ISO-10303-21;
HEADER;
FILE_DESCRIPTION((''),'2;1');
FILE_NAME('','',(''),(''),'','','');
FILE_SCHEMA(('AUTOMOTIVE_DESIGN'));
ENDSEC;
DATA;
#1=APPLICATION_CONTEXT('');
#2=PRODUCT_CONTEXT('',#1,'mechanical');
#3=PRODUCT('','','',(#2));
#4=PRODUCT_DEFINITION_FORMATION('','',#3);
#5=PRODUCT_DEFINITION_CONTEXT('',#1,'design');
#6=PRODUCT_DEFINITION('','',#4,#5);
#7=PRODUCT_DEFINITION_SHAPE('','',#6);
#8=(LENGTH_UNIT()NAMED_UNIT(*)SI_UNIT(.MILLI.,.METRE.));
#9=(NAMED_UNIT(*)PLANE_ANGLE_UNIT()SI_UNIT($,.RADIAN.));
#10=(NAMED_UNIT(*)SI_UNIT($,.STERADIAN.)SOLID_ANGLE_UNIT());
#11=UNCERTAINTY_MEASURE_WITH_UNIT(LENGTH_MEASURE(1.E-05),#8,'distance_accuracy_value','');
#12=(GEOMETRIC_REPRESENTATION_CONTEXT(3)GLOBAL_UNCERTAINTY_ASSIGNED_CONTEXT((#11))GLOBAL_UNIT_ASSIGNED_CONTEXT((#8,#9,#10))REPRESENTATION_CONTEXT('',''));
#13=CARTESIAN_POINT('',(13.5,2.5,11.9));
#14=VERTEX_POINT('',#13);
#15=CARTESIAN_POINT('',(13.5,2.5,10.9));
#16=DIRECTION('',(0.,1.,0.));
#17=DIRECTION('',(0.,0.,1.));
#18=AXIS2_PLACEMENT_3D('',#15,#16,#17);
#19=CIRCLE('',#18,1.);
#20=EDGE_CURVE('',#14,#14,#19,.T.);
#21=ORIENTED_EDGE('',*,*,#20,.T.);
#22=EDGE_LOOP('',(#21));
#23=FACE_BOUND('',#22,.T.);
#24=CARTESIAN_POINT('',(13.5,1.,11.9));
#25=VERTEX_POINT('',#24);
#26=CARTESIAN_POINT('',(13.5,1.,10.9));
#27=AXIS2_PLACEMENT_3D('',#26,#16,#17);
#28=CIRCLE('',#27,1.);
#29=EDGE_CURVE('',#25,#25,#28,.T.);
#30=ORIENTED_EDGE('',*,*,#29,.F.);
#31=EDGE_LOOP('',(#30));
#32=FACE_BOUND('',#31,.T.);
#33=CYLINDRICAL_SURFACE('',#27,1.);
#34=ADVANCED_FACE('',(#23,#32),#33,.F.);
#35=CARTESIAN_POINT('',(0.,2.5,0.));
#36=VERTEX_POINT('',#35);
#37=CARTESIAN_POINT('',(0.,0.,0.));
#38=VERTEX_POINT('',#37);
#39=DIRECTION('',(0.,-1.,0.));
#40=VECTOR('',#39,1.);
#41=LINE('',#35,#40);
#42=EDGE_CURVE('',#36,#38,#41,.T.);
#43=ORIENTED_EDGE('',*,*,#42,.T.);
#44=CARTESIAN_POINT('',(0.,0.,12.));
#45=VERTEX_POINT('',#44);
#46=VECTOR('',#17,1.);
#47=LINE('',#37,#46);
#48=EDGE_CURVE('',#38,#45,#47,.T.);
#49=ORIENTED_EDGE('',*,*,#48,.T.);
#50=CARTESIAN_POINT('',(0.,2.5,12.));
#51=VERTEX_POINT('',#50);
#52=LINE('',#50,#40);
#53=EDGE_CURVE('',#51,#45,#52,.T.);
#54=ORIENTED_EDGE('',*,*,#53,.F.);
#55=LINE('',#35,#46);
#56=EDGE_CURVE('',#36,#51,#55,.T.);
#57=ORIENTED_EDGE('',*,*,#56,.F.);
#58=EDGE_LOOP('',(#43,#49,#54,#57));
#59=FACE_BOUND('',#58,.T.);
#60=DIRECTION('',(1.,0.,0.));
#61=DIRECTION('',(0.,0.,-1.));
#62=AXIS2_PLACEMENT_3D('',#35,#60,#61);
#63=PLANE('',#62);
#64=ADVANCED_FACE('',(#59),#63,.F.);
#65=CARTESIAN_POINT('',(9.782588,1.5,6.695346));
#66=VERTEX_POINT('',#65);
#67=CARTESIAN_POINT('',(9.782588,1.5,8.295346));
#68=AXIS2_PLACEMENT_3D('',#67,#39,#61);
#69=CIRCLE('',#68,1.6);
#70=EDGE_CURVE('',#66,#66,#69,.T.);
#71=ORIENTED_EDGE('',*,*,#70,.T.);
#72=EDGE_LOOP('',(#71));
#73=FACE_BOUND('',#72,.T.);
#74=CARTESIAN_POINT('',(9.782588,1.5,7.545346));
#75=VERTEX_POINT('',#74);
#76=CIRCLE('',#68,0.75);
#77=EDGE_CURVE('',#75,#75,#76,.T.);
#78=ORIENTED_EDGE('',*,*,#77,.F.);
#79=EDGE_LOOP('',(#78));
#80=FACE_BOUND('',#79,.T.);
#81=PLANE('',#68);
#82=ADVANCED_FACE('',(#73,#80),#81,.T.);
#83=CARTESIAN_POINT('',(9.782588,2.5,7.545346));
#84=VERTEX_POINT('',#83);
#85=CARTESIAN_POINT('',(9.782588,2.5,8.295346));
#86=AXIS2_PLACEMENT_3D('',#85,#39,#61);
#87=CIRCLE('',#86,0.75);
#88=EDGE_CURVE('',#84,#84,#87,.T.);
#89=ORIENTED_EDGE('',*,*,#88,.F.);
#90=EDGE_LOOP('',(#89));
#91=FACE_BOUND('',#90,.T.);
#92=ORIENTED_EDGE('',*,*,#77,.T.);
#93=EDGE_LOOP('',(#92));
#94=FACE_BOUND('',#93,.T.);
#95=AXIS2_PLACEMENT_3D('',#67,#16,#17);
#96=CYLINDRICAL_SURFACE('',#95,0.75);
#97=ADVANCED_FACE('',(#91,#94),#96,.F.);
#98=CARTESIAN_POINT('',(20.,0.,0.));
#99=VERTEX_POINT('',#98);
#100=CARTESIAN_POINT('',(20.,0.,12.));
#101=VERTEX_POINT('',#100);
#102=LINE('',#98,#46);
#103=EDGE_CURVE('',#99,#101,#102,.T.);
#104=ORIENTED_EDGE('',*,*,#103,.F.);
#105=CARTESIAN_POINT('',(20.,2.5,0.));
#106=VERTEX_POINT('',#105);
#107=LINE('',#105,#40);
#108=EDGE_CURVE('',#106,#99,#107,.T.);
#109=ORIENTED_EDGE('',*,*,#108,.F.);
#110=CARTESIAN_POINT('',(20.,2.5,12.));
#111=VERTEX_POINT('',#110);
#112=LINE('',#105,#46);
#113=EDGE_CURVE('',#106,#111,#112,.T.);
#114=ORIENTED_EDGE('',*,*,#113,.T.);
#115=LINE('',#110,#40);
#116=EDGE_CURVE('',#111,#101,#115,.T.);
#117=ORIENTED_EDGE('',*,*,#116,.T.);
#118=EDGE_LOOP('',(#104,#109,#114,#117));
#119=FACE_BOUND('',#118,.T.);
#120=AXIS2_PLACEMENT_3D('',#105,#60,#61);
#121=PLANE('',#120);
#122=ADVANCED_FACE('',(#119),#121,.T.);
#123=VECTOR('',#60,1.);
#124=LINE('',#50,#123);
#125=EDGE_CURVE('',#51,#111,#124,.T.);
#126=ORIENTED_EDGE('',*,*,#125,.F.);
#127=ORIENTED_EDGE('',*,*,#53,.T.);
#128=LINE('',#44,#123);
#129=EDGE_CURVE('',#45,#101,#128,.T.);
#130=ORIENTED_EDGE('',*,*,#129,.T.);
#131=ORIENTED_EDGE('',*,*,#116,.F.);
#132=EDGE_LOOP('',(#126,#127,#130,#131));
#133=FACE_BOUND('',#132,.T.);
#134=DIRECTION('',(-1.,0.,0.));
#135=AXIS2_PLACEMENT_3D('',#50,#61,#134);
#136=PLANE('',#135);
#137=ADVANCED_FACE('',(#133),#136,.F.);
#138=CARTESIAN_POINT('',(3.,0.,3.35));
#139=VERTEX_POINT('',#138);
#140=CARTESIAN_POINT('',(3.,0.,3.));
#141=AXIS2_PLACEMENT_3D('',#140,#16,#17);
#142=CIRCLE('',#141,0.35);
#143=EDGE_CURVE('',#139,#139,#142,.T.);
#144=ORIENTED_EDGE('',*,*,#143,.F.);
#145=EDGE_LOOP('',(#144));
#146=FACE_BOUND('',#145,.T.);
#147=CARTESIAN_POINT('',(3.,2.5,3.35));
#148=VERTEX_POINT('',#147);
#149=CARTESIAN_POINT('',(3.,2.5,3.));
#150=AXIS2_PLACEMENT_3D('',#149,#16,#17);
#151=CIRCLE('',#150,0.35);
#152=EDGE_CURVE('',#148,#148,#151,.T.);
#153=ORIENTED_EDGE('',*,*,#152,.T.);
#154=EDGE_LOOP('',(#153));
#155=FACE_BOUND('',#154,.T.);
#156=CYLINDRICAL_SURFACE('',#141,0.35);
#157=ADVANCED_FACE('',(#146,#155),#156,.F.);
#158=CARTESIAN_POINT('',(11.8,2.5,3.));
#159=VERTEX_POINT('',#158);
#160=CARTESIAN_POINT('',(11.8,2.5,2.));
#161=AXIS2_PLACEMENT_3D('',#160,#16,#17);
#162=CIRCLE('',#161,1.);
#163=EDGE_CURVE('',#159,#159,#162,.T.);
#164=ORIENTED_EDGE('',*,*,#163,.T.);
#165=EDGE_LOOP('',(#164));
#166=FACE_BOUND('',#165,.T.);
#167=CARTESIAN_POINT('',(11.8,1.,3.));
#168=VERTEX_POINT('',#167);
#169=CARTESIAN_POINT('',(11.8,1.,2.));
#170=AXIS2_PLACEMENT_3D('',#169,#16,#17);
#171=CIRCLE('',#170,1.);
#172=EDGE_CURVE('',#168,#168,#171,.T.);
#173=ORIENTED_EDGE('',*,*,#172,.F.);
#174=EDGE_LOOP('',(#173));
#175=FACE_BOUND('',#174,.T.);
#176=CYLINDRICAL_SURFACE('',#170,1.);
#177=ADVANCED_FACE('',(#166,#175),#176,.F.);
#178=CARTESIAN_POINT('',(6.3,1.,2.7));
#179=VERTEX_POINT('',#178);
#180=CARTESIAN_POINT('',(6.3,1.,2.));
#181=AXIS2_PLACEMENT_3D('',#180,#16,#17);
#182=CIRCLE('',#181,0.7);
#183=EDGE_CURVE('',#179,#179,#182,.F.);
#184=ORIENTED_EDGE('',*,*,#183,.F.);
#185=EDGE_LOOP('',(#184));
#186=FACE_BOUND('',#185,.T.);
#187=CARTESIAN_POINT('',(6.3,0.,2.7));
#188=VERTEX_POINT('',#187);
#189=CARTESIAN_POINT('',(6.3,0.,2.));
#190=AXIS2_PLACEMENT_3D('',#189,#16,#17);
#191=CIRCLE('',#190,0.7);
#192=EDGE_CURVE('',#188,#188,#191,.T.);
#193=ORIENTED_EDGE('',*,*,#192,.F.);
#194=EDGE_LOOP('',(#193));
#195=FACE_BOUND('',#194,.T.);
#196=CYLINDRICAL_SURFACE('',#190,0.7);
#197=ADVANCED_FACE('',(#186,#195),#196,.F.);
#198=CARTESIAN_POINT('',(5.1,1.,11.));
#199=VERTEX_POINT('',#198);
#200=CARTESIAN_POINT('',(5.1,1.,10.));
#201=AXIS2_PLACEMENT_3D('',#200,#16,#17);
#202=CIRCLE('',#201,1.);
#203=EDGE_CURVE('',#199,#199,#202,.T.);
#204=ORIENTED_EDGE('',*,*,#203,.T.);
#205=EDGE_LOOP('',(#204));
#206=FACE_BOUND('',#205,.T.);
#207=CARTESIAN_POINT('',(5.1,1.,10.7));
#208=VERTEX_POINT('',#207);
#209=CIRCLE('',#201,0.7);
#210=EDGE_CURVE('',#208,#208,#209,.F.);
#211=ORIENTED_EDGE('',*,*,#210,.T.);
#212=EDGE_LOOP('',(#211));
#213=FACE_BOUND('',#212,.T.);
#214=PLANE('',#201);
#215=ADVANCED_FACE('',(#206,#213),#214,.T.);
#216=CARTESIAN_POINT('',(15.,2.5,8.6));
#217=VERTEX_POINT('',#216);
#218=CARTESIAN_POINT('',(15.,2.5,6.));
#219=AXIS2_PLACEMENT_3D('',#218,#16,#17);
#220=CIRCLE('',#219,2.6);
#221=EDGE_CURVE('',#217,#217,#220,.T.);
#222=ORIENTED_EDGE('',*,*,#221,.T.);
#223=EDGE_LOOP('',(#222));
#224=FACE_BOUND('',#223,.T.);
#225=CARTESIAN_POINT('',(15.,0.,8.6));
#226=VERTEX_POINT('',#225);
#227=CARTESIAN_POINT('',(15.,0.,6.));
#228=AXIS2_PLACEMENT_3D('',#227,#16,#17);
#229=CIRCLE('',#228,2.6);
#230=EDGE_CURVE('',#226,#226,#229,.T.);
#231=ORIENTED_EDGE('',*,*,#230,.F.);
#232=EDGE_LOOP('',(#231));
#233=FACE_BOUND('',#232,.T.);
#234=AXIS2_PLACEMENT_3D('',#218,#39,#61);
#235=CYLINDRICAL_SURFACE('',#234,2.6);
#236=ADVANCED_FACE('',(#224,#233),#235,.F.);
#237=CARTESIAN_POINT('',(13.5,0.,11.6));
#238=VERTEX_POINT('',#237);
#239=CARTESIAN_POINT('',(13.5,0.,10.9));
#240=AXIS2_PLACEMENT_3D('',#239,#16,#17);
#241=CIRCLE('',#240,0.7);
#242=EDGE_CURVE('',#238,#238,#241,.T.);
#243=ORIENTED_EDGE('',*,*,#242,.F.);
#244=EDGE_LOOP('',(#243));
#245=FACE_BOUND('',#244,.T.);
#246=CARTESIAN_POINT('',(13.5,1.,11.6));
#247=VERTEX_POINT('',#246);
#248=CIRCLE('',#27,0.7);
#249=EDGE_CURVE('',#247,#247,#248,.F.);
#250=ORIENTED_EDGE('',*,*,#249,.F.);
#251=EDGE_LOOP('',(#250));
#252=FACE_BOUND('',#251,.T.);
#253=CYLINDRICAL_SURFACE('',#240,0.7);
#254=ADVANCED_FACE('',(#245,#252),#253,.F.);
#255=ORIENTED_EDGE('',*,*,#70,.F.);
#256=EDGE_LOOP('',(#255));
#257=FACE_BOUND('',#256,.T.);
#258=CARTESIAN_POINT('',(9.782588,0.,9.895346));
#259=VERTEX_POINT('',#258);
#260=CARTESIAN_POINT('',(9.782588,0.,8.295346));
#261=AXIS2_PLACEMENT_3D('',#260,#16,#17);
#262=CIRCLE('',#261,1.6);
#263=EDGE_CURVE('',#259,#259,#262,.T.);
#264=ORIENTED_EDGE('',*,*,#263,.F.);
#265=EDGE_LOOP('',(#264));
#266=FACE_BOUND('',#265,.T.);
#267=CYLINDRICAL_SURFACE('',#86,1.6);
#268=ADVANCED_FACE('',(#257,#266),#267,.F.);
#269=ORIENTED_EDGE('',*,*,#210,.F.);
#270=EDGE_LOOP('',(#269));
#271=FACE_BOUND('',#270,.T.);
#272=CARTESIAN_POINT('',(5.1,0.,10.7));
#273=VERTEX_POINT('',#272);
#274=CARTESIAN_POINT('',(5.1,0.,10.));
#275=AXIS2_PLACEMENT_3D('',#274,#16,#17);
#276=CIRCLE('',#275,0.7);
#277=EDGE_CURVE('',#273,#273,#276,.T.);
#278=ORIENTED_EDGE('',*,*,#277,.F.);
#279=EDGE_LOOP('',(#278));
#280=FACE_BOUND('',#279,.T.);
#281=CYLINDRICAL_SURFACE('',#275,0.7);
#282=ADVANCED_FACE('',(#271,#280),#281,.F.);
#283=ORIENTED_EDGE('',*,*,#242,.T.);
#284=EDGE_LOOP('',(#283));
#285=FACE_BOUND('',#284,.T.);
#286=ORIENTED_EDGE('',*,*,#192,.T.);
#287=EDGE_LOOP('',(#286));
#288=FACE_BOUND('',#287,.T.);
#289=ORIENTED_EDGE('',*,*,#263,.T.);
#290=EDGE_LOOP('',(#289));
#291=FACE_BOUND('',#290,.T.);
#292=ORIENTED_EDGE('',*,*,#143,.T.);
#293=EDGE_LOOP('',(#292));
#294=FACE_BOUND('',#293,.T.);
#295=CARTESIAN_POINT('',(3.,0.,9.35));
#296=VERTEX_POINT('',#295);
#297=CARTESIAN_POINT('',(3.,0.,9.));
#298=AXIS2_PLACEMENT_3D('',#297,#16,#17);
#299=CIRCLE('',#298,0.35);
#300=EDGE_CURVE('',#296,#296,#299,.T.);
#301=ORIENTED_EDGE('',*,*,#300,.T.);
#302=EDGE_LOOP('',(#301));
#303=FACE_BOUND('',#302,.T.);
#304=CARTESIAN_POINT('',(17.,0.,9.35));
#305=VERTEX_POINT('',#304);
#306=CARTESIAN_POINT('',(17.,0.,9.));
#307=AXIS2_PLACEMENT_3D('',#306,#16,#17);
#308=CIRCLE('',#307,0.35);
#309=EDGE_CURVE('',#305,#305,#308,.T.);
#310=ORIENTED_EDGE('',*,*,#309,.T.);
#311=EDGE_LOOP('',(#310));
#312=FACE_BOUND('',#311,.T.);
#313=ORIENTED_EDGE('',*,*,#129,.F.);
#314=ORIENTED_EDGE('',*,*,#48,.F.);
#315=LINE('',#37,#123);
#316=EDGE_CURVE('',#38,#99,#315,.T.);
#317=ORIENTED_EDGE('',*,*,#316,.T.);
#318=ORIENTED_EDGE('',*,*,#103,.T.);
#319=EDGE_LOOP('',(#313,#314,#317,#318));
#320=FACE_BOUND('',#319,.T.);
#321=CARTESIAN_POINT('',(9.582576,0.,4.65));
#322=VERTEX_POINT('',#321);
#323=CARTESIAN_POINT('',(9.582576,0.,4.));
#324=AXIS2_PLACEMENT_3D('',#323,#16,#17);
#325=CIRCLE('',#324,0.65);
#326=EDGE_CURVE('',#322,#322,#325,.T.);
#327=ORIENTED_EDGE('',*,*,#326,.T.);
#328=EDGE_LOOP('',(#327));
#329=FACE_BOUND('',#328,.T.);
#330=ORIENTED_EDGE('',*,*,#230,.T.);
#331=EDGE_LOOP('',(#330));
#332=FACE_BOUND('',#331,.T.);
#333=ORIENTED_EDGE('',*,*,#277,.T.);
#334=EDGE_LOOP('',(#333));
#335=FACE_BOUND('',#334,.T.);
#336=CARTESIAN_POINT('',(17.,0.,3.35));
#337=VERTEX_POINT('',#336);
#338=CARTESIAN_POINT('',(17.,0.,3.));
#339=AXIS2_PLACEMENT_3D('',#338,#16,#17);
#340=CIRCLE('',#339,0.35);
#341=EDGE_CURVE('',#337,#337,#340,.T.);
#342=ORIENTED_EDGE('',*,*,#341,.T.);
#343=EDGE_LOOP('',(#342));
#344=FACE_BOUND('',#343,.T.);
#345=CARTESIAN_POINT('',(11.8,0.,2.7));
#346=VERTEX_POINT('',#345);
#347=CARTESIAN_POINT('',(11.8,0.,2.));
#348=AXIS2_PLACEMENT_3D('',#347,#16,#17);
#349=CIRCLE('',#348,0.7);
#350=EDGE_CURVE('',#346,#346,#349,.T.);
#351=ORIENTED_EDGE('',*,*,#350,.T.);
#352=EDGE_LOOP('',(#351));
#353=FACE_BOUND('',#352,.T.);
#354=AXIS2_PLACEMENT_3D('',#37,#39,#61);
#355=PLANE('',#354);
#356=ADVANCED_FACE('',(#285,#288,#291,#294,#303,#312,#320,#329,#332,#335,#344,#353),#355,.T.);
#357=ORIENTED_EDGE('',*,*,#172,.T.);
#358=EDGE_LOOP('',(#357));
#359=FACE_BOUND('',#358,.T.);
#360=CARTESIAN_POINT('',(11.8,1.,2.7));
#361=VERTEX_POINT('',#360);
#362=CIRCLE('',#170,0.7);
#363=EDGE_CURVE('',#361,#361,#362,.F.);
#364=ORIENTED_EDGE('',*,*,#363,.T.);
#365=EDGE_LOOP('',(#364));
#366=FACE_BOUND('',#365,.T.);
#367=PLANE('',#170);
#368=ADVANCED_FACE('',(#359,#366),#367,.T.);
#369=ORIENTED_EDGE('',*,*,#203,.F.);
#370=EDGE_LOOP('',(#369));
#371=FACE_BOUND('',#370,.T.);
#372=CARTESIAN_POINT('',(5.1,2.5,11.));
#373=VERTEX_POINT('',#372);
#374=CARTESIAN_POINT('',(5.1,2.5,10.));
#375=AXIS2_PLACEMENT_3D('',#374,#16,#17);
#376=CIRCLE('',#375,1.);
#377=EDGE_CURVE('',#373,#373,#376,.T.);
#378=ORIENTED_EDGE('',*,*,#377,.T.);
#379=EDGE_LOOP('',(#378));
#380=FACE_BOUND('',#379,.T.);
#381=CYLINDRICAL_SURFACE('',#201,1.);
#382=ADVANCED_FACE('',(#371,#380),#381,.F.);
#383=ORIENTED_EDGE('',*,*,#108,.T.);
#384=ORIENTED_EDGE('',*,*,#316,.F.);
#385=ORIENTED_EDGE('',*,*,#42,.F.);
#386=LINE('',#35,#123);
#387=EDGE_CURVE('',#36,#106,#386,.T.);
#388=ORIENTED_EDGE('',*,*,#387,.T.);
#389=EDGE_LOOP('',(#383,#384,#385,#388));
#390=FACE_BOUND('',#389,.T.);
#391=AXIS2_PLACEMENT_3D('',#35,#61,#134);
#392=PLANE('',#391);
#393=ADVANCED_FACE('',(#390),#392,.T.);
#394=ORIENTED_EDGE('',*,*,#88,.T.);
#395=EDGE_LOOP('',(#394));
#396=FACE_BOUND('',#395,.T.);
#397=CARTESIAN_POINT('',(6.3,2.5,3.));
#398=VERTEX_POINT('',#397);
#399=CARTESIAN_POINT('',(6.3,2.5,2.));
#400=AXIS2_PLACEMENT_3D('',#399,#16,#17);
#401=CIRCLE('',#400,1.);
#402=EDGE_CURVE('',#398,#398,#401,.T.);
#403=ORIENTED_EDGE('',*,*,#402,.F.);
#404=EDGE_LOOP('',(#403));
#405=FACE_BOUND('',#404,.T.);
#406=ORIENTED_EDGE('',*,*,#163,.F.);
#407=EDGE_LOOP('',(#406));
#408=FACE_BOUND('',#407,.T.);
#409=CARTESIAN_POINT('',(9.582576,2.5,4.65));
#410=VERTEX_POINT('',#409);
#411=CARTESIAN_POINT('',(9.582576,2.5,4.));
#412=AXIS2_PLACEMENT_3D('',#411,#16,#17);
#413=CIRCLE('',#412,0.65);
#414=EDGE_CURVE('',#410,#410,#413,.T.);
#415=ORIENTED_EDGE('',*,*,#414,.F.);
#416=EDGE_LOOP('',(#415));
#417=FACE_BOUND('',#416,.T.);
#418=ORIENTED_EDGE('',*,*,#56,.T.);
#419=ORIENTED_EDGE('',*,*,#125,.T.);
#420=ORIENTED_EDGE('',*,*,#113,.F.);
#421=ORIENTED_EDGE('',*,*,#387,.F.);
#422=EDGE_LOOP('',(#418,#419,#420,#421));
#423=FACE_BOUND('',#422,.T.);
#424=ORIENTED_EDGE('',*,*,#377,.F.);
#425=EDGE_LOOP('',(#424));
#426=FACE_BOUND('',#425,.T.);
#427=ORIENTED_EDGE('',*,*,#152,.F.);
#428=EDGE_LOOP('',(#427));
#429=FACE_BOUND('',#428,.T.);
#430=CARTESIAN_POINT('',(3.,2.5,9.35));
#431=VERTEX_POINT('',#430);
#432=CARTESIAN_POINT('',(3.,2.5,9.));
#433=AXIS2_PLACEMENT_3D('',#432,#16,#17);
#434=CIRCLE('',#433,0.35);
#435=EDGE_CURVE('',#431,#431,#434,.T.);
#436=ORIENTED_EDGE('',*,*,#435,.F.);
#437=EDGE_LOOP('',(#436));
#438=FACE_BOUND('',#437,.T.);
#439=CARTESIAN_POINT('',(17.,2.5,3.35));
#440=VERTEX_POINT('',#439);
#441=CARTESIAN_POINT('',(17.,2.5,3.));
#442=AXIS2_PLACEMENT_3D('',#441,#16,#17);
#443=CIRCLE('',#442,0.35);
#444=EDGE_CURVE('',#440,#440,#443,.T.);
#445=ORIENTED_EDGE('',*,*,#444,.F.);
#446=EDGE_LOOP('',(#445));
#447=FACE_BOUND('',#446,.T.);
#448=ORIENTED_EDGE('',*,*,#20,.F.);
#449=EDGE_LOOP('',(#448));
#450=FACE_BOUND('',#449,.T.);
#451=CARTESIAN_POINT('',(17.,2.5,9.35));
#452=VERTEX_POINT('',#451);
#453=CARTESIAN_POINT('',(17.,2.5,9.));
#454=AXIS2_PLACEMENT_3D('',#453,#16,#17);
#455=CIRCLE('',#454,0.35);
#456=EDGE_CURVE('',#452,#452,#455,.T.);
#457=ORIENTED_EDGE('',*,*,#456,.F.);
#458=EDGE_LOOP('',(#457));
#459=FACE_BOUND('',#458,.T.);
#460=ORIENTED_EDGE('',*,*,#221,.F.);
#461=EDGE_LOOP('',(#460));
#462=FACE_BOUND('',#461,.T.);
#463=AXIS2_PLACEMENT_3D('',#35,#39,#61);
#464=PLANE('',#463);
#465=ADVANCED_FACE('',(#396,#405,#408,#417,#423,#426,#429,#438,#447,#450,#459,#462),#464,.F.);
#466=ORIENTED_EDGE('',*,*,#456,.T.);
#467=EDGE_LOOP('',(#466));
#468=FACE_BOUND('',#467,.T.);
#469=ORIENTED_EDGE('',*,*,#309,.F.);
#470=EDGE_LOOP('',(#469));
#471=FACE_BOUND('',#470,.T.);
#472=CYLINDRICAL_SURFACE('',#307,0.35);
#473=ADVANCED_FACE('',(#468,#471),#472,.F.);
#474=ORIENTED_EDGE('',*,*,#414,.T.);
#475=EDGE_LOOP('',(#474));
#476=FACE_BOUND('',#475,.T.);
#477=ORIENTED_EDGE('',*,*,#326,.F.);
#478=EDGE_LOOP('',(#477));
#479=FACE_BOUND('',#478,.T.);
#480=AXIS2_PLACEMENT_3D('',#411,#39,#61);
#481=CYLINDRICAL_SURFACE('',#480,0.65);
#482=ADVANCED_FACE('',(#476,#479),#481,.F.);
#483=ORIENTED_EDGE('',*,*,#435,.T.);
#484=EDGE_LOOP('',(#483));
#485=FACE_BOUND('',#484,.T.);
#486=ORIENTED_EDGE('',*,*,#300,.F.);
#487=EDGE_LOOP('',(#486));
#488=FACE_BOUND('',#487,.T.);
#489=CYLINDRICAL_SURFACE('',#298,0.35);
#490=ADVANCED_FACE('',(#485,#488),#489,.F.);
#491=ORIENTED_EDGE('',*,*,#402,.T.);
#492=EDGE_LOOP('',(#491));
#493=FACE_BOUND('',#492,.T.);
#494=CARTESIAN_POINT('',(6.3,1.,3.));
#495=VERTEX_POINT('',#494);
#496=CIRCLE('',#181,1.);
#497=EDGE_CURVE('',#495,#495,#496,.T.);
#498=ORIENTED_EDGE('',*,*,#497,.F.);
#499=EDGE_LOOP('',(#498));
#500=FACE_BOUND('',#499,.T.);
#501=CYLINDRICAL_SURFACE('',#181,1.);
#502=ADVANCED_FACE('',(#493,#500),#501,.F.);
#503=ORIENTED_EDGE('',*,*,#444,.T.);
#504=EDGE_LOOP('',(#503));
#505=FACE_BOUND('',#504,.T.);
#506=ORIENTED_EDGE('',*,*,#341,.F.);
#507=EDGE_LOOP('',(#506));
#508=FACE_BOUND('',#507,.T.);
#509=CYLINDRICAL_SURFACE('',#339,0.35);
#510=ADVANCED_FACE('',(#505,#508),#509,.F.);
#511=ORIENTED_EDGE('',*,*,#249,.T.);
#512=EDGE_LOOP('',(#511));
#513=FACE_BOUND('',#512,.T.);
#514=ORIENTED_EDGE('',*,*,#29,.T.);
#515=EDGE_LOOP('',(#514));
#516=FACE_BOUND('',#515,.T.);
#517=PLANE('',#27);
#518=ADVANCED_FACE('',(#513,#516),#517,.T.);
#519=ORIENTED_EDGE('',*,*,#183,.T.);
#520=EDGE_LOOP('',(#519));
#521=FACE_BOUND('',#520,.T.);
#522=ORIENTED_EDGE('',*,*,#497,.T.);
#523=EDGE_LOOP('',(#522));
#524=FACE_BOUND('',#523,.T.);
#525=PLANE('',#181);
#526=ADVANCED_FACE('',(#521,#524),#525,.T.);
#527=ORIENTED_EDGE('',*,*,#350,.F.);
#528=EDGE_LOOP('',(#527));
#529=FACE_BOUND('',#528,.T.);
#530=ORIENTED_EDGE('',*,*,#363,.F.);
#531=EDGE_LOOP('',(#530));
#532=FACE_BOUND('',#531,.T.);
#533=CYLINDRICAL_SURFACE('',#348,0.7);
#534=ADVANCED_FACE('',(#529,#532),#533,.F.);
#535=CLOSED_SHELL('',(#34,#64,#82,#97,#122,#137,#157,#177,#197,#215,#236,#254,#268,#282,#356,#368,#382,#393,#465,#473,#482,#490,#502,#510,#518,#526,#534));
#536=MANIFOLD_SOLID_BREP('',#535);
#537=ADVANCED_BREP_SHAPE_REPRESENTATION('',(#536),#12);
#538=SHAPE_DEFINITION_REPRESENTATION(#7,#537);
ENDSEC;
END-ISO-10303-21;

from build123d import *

# Parameters (mm, degrees)
SKETCH_1_W          = 20
SKETCH_1_H          = 12
SKETCH_1_R          = 0.65
SKETCH_1_R_2        = 1.6
SKETCH_1_R_3        = 2.6
EXTRUDE_1_DEPTH     = 2.5
EXTRUDE_START       = 1.5
SKETCH_1_5_R        = 1.6
SKETCH_1_5_R_2      = 0.75
EXTRUDE_2_DEPTH     = 1
SKETCH_3_R          = 0.7
SKETCH_3_R_2        = 0.35
CUT_EXTRUDE_1_DEPTH = 24.457408211
SKETCH_3_3_R        = 1
CUT_EXTRUDE_2_DEPTH = 1.5


with BuildPart() as part:
    # 草图1 → 凸台-拉伸1 (new body)
    with BuildSketch(Plane(origin=(0, 0, 0), x_dir=(1, 0, 0), z_dir=(0, 1, 0))):
        with Locations((10, -6)):
            Rectangle(SKETCH_1_W, SKETCH_1_H)
        with Locations(Location((9.582575695, -4, 0), (0, 0, 270))):
            Circle(SKETCH_1_R, mode=Mode.SUBTRACT)
        with Locations(Location((9.782588007, -8.295345746, 0), (0, 0, 270))):
            Circle(SKETCH_1_R_2, mode=Mode.SUBTRACT)
        with Locations(Location((15, -6, 0), (0, 0, 270))):
            Circle(SKETCH_1_R_3, mode=Mode.SUBTRACT)
    extrude(amount=EXTRUDE_1_DEPTH)

    # 草图1<5> → 凸台-拉伸2 (add)
    with BuildSketch(Plane(origin=(0, 0, 0), x_dir=(1, 0, 0), z_dir=(0, 1, 0)).offset(EXTRUDE_START)):
        with Locations(Location((9.782588007, -8.295345746, 0), (0, 0, 90))):
            Circle(SKETCH_1_5_R)
        with Locations(Location((9.782588007, -8.295345746, 0), (0, 0, 90))):
            Circle(SKETCH_1_5_R_2, mode=Mode.SUBTRACT)
    extrude(amount=EXTRUDE_2_DEPTH)

    # 草图3 → 切除-拉伸1 (cut, through all)
    with BuildSketch(Plane(origin=(0, 2.5, 0), x_dir=(1, 0, 0), z_dir=(0, 1, 0))):
        with Locations(Location((5.1, -10, 0), (0, 0, 270))):
            Circle(SKETCH_3_R)
        with Locations(Location((6.3, -2, 0), (0, 0, 270))):
            Circle(SKETCH_3_R)
        with Locations(Location((11.8, -2, 0), (0, 0, 270))):
            Circle(SKETCH_3_R)
        with Locations(Location((13.5, -10.9, 0), (0, 0, 270))):
            Circle(SKETCH_3_R)
        with Locations(Location((3, -3, 0), (0, 0, 270))):
            Circle(SKETCH_3_R_2)
        with Locations(Location((3, -9, 0), (0, 0, 270))):
            Circle(SKETCH_3_R_2)
        with Locations(Location((17, -9, 0), (0, 0, 270))):
            Circle(SKETCH_3_R_2)
        with Locations(Location((17, -3, 0), (0, 0, 270))):
            Circle(SKETCH_3_R_2)
    extrude(amount=-CUT_EXTRUDE_1_DEPTH, mode=Mode.SUBTRACT)

    # 草图3<3> → 切除-拉伸2 (cut)
    with BuildSketch(Plane(origin=(0, 2.5, 0), x_dir=(1, 0, 0), z_dir=(0, 1, 0))):
        with Locations(Location((6.3, -2, 0), (0, 0, 270))):
            Circle(SKETCH_3_3_R)
        with Locations(Location((5.1, -10, 0), (0, 0, 270))):
            Circle(SKETCH_3_3_R)
        with Locations(Location((11.8, -2, 0), (0, 0, 270))):
            Circle(SKETCH_3_3_R)
        with Locations(Location((13.5, -10.9, 0), (0, 0, 270))):
            Circle(SKETCH_3_3_R)
    extrude(amount=-CUT_EXTRUDE_2_DEPTH, mode=Mode.SUBTRACT)


solid = part.part
